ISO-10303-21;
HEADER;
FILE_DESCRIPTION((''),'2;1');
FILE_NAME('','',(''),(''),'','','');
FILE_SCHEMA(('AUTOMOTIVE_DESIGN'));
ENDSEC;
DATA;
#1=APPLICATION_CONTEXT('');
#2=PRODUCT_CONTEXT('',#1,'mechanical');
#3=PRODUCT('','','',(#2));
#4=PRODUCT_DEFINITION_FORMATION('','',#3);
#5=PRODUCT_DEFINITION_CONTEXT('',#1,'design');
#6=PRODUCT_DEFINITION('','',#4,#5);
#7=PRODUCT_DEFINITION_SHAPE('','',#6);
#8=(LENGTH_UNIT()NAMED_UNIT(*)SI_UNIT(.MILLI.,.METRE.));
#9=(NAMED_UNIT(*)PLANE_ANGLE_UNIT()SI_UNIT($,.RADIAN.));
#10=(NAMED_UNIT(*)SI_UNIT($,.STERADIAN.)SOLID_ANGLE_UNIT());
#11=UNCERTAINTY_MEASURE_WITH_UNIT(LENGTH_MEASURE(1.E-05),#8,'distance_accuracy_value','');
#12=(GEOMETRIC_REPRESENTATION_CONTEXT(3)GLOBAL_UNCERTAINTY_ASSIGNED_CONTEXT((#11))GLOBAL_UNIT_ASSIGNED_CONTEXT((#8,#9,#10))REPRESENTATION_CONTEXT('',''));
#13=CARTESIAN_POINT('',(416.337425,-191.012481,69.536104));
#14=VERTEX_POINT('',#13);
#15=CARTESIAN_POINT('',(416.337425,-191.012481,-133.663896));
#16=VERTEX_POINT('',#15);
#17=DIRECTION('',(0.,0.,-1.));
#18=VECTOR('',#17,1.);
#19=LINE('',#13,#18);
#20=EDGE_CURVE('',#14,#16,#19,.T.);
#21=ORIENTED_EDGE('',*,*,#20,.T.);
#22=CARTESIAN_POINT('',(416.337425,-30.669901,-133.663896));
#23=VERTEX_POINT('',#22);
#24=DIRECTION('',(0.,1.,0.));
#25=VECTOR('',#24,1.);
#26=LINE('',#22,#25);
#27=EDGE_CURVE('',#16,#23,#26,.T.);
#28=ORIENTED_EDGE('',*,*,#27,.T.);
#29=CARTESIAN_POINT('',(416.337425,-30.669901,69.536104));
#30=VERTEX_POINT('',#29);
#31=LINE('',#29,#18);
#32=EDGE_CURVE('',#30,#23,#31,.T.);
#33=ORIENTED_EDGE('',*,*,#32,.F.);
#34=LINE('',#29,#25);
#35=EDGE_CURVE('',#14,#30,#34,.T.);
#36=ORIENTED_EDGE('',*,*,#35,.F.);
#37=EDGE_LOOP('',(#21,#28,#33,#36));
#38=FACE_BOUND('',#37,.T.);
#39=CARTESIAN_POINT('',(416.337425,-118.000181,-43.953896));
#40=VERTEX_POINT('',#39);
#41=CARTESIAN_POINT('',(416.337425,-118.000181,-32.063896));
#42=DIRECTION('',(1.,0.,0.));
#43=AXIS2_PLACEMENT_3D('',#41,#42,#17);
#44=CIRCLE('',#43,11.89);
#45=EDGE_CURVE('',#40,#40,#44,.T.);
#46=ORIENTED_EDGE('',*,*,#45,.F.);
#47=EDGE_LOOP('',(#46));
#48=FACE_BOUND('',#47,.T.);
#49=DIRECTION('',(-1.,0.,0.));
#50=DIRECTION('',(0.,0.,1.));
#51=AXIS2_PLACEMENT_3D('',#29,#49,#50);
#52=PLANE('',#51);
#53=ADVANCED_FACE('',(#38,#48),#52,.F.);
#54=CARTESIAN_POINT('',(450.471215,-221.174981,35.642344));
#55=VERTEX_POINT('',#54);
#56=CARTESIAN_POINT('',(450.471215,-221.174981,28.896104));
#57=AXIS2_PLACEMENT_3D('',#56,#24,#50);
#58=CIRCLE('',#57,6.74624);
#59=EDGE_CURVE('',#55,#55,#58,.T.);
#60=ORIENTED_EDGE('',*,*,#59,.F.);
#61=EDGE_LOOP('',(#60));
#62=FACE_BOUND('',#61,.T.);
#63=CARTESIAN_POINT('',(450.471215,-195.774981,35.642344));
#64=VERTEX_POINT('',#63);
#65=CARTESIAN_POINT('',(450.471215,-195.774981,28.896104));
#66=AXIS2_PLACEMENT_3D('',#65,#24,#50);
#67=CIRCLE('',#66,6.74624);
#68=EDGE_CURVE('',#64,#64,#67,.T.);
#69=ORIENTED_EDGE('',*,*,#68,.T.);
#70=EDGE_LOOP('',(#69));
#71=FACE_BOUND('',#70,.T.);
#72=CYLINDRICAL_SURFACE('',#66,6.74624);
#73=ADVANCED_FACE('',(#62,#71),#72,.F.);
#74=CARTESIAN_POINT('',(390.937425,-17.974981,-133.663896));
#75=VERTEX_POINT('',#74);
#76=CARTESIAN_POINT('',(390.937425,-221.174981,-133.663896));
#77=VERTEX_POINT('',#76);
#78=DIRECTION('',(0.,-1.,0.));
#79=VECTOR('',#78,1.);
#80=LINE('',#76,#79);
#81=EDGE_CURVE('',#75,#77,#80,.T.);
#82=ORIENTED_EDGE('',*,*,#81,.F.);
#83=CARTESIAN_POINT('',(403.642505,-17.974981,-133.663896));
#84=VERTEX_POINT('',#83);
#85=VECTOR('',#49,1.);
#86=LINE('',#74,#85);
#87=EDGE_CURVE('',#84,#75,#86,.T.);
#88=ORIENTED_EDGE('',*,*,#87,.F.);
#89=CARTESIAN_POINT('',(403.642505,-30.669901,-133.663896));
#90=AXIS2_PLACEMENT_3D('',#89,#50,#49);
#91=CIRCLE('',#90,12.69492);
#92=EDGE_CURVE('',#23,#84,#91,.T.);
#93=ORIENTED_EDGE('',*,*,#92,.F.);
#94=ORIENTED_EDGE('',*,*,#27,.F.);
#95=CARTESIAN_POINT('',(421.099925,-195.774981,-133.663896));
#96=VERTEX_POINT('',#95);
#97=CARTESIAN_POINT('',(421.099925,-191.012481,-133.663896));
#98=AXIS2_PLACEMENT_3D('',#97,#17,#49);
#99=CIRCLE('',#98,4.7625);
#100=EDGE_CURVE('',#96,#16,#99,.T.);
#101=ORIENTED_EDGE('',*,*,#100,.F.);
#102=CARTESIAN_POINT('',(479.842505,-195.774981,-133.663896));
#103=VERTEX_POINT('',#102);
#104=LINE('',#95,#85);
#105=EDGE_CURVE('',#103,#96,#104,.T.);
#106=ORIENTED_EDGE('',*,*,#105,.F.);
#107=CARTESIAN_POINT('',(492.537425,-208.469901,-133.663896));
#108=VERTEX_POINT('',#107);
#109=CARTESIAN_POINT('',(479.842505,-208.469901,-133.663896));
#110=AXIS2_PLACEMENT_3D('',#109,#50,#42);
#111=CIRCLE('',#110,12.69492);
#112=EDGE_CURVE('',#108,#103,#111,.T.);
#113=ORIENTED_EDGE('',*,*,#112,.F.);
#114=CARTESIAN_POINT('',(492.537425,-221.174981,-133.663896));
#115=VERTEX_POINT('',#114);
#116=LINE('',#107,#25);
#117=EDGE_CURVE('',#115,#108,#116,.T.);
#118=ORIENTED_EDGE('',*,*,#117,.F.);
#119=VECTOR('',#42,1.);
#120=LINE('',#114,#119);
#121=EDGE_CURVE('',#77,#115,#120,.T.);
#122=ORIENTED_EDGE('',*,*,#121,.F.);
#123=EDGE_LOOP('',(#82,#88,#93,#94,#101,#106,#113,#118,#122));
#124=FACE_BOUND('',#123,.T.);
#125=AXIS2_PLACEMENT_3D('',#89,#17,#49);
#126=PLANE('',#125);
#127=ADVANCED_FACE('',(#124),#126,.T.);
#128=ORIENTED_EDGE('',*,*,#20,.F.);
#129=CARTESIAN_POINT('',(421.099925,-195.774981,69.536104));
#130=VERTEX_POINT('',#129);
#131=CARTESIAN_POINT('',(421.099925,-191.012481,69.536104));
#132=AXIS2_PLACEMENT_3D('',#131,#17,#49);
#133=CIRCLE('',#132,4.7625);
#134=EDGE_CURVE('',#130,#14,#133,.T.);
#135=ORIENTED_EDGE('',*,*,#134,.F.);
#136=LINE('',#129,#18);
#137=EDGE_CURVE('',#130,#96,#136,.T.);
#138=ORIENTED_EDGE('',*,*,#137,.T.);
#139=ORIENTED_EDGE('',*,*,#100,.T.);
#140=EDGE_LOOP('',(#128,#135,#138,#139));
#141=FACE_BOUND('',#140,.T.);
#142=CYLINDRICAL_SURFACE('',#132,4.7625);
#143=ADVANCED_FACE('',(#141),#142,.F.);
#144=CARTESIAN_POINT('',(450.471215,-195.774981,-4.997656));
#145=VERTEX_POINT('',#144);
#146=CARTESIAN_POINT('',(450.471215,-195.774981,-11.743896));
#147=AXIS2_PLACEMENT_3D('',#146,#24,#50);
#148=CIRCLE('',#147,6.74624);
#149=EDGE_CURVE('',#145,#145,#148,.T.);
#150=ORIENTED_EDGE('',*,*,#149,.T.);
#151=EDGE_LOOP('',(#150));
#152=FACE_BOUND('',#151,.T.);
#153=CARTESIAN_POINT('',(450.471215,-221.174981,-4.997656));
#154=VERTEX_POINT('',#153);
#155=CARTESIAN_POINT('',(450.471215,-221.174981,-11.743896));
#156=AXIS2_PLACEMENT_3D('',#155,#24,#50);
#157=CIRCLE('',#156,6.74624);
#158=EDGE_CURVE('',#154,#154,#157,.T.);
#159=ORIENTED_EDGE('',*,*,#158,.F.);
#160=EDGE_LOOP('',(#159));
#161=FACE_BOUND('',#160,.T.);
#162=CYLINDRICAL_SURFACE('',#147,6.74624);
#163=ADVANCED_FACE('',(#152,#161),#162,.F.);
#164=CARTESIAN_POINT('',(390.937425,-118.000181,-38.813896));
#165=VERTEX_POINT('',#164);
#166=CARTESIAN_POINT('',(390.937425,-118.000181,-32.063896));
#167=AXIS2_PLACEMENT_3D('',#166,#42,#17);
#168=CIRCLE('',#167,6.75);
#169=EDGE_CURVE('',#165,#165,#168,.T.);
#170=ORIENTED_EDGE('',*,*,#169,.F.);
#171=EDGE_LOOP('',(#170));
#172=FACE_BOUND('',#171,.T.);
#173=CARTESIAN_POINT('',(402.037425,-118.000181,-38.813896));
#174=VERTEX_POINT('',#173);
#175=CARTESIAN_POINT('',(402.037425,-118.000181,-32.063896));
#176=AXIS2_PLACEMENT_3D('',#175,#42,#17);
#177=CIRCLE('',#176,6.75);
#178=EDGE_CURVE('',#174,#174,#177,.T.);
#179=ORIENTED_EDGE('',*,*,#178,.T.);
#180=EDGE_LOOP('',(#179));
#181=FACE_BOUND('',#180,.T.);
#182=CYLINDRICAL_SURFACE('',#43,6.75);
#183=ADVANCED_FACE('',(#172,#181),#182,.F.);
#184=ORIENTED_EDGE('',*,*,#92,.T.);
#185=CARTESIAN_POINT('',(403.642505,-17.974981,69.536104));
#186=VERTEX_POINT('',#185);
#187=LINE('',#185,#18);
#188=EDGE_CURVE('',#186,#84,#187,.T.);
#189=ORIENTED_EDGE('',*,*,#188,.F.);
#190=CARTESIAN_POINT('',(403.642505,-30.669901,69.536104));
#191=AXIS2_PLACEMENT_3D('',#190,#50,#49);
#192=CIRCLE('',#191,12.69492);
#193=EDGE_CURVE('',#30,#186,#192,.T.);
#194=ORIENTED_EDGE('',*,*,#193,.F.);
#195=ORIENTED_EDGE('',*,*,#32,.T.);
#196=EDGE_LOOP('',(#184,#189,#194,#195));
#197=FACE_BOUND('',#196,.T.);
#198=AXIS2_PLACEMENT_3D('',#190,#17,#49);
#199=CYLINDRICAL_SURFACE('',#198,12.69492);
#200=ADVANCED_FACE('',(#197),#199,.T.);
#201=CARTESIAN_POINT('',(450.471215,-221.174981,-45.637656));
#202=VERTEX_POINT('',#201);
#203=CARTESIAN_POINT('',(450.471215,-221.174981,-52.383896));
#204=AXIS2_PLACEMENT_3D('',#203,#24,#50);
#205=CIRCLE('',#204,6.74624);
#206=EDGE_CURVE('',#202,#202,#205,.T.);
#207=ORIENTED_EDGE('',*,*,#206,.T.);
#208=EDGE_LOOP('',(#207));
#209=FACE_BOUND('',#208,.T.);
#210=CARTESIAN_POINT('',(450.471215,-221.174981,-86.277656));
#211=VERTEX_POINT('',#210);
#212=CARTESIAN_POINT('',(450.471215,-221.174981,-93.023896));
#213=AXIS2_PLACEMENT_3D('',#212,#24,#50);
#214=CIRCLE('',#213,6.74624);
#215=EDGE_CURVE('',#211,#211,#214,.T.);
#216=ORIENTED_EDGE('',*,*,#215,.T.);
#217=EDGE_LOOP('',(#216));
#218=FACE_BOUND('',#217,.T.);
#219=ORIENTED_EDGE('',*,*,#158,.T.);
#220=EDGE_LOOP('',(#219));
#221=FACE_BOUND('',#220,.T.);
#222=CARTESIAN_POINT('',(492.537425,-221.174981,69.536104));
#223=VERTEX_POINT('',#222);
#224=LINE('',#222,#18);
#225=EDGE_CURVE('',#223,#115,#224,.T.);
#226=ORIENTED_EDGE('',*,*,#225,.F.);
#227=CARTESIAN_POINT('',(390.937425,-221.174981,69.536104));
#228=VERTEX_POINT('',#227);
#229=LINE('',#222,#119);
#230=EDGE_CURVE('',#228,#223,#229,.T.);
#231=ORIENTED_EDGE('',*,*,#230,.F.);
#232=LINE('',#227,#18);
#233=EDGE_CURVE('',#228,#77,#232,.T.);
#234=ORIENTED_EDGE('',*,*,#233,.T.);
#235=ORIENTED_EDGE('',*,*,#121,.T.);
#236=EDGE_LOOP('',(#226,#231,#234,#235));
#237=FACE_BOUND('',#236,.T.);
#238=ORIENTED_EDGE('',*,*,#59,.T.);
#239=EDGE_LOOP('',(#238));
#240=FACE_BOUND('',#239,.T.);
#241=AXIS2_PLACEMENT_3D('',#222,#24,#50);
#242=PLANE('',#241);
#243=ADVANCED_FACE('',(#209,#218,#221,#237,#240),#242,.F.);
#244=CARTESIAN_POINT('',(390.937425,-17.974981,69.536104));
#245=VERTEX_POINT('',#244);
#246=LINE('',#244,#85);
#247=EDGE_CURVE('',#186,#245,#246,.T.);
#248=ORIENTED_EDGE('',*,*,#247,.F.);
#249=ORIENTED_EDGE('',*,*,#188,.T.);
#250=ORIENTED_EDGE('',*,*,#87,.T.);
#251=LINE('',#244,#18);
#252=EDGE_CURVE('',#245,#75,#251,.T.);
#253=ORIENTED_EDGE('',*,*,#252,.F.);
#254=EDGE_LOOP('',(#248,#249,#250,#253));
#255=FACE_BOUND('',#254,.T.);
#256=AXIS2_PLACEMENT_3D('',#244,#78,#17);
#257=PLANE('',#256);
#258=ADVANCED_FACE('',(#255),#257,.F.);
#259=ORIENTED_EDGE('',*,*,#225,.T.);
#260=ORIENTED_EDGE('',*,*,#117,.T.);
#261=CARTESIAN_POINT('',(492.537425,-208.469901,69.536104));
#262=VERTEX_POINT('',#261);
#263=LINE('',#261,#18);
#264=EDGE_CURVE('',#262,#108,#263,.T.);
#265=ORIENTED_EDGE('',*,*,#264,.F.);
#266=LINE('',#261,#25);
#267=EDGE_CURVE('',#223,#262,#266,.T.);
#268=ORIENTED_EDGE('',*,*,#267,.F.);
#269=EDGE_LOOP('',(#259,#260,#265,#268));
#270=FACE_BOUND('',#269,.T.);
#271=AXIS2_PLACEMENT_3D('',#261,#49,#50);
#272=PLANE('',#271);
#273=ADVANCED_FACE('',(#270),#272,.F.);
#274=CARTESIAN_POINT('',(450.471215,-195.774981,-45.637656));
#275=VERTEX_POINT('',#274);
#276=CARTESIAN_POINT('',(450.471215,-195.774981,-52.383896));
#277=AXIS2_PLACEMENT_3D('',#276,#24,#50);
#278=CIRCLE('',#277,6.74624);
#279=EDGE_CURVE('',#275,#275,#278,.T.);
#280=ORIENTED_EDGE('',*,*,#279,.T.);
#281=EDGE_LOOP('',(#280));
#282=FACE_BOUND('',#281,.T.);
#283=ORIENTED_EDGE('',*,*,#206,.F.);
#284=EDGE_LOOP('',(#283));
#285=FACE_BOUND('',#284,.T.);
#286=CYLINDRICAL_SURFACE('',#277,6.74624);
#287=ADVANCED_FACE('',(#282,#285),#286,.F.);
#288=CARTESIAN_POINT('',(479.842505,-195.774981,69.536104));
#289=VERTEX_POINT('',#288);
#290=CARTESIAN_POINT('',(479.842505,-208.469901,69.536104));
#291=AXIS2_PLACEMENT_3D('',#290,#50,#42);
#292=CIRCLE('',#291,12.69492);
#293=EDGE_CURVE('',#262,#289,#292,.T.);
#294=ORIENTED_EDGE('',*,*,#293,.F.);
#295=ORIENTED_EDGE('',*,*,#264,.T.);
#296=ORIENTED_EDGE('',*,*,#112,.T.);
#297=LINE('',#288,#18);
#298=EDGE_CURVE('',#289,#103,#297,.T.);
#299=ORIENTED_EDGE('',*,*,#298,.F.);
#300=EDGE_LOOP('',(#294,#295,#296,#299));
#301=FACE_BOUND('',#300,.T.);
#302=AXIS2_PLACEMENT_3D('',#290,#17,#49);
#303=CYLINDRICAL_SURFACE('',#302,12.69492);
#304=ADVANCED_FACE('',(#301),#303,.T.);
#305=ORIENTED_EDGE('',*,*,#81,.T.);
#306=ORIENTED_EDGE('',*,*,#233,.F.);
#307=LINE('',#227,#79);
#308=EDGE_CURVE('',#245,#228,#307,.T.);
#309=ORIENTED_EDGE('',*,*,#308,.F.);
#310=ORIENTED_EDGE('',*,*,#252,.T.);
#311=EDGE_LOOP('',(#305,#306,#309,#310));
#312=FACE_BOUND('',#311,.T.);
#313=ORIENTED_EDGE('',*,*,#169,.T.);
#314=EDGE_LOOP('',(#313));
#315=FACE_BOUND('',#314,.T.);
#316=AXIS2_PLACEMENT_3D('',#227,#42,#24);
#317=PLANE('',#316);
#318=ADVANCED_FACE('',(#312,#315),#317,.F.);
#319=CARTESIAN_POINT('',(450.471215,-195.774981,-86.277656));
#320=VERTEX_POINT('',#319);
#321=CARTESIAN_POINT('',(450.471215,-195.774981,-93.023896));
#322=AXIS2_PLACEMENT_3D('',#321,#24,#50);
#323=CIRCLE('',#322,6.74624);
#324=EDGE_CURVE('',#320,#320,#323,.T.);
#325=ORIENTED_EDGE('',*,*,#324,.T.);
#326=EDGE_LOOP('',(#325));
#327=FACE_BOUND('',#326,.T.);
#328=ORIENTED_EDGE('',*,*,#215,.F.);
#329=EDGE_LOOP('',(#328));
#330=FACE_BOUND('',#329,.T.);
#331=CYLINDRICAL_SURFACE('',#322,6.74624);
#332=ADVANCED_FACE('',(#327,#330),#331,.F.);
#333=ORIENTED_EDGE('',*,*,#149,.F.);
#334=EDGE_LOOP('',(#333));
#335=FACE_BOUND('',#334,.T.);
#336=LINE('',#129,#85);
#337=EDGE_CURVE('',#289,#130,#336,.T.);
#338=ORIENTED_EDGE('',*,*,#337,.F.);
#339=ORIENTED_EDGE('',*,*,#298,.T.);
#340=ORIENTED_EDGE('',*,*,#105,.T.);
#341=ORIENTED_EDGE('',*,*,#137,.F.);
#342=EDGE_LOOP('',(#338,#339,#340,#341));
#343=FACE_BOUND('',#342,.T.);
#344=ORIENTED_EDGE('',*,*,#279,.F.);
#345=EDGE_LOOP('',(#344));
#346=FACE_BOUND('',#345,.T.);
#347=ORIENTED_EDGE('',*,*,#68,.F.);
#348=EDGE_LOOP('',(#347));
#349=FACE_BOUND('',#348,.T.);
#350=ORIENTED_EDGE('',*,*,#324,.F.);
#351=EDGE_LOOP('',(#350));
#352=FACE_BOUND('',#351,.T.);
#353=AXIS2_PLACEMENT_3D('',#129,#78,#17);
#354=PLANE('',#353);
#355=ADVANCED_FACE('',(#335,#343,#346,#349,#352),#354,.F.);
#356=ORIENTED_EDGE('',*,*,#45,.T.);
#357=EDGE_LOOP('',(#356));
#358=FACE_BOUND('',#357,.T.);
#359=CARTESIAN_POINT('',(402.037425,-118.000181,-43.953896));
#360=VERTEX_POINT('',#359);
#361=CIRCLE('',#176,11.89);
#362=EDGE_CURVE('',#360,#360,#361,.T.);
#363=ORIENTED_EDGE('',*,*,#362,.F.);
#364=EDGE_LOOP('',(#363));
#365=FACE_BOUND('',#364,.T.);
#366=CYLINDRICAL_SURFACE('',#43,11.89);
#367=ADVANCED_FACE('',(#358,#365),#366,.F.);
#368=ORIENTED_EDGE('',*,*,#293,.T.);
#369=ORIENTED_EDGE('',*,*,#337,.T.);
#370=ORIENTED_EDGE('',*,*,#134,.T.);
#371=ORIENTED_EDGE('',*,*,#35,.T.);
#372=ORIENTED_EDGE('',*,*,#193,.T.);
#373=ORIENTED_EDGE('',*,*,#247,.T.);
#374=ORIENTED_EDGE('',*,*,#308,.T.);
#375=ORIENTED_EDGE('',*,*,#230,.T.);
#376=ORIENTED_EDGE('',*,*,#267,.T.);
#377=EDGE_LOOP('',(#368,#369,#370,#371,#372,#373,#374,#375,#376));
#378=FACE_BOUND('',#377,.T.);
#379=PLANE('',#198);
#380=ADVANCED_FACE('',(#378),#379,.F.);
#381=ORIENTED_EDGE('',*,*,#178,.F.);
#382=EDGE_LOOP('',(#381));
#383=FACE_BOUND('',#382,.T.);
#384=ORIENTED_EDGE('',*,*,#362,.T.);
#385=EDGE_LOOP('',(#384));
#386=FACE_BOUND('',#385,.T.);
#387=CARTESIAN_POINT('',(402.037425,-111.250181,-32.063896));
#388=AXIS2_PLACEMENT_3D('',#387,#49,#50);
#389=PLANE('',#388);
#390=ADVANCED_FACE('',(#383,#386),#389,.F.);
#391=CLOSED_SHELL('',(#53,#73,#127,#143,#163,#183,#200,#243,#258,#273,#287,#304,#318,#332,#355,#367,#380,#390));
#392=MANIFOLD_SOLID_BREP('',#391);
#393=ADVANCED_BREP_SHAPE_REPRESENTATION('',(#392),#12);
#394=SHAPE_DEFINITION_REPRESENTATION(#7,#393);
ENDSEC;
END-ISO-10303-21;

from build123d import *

# Parameters (mm, degrees)
L_ANGLE_L8X4X1_1_DEPTH                   = 203.2
F_1_2_CLEARANCE_HOLE1_D                  = 13.49248
CBORE_FOR_M12_HEX_HEAD_BOLT1_D           = 13.5
CBORE_FOR_M12_HEX_HEAD_BOLT1_CBORE_D     = 23.78
CBORE_FOR_M12_HEX_HEAD_BOLT1_CBORE_DEPTH = 14.3


with BuildPart() as part:
    # Sketch114 → L angle L8X4X1(1) (new body)
    with BuildSketch(Plane(origin=(390.937425431, -221.174980879, -133.663896304), x_dir=(1, 0, 0), z_dir=(0, 0, 1))):
        with BuildLine():
            Line((0, 0), (0, 203.2))
            Line((0, 203.2), (12.70508, 203.2))
            ThreePointArc((12.70508, 203.2), (21.681744019, 199.481744019), (25.4, 190.50508))
            Line((25.4, 190.50508), (25.4, 30.1625))
            ThreePointArc((25.4, 30.1625), (26.794903955, 26.794903955), (30.1625, 25.4))
            Line((30.1625, 25.4), (88.90508, 25.4))
            ThreePointArc((88.90508, 25.4), (97.881744019, 21.681744019), (101.6, 12.70508))
            Line((101.6, 12.70508), (101.6, 0))
            Line((101.6, 0), (0, 0))
        make_face()
    extrude(amount=L_ANGLE_L8X4X1_1_DEPTH)

    # 1/2 Clearance Hole1 (through all)
    with Locations(Plane(origin=(0, -195.774980879, 0), x_dir=(1, 0, 0), z_dir=(0, 1, 0))):
        with Locations((450.471215431, -28.896103696), (450.471215431, 93.023896304), (450.471215431, 52.383896304), (450.471215431, 11.743896304)):
            Hole(F_1_2_CLEARANCE_HOLE1_D / 2)

    # CBORE for M12 Hex Head Bolt1 (through all)
    with Locations(Plane(origin=(416.337425431, 0, 0), x_dir=(0, 0, -1), z_dir=(1, 0, 0))):
        with Locations((32.063896304, -118.000180879)):
            CounterBoreHole(CBORE_FOR_M12_HEX_HEAD_BOLT1_D / 2, CBORE_FOR_M12_HEX_HEAD_BOLT1_CBORE_D / 2, CBORE_FOR_M12_HEX_HEAD_BOLT1_CBORE_DEPTH)


solid = part.part
